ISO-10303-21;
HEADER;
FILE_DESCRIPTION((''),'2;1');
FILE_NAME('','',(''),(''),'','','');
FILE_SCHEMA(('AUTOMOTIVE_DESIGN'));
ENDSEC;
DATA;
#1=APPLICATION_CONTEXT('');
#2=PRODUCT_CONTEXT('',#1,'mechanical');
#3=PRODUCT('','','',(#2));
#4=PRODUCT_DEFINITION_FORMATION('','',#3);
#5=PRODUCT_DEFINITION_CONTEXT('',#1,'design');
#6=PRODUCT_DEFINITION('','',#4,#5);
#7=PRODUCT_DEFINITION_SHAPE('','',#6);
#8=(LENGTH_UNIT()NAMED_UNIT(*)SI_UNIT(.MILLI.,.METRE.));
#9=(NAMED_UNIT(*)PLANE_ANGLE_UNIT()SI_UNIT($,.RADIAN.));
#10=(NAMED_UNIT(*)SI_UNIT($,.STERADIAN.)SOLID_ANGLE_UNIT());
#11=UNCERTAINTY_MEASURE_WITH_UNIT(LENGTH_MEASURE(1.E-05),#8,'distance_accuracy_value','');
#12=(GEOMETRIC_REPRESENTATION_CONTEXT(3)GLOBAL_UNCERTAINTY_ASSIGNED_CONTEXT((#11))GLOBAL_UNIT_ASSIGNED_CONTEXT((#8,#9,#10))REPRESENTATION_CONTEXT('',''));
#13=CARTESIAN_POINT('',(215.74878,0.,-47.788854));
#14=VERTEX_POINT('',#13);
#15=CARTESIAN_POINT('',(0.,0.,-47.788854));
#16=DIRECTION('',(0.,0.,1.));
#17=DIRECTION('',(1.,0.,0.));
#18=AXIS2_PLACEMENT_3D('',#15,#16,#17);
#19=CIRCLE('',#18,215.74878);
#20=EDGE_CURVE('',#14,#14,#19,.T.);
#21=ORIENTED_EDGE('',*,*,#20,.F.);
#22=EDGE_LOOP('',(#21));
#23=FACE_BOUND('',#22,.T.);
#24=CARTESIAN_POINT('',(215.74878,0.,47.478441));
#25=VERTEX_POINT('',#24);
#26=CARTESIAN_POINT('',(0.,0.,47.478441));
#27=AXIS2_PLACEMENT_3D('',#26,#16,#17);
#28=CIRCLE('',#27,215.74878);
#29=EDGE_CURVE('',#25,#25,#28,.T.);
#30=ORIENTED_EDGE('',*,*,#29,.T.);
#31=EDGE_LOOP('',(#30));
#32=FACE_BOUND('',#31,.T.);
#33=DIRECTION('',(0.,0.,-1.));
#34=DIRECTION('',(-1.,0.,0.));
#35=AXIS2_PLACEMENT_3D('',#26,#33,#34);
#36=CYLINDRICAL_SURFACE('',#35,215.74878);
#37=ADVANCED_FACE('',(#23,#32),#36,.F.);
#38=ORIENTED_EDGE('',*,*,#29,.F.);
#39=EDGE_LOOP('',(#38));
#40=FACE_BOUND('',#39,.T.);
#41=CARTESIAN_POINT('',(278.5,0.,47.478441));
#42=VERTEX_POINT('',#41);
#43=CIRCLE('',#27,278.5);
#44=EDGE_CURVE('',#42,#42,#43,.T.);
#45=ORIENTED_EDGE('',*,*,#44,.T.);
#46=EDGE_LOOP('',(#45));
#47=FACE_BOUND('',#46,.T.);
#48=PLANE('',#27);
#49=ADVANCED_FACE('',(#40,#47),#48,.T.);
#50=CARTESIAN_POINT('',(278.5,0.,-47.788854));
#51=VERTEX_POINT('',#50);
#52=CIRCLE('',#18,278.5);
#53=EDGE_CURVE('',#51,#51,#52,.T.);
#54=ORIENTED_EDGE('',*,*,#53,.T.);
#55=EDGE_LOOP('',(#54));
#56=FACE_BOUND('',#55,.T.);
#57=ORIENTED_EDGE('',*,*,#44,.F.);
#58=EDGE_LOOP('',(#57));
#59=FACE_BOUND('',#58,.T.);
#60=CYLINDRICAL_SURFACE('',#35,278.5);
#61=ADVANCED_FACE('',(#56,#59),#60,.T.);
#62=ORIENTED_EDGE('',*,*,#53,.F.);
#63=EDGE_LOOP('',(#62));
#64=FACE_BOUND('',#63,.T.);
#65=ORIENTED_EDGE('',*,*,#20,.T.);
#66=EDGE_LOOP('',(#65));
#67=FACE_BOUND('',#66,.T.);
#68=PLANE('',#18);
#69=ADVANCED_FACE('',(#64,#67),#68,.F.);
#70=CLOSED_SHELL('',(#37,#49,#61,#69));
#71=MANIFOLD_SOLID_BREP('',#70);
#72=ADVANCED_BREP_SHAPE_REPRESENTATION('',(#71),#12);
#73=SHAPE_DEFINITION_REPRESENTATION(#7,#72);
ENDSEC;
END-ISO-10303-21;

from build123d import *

# Parameters (mm, degrees)
BOSS_EXTRUDE1_DEPTH      = 47.478441
BOSS_EXTRUDE1_DEPTH_BACK = 47.788854
SKETCH1_R                = 278.5
SKETCH1_R_2              = 215.748780306


with BuildPart() as part:
    # Sketch1 → Boss-Extrude1 (new, two sides: drawn at the far end of the back side and taken through both)
    with BuildSketch(Plane.XY.offset(-BOSS_EXTRUDE1_DEPTH_BACK)):
        Circle(SKETCH1_R)
        Circle(SKETCH1_R_2, mode=Mode.SUBTRACT)
    extrude(amount=BOSS_EXTRUDE1_DEPTH + BOSS_EXTRUDE1_DEPTH_BACK)


solid = part.part
